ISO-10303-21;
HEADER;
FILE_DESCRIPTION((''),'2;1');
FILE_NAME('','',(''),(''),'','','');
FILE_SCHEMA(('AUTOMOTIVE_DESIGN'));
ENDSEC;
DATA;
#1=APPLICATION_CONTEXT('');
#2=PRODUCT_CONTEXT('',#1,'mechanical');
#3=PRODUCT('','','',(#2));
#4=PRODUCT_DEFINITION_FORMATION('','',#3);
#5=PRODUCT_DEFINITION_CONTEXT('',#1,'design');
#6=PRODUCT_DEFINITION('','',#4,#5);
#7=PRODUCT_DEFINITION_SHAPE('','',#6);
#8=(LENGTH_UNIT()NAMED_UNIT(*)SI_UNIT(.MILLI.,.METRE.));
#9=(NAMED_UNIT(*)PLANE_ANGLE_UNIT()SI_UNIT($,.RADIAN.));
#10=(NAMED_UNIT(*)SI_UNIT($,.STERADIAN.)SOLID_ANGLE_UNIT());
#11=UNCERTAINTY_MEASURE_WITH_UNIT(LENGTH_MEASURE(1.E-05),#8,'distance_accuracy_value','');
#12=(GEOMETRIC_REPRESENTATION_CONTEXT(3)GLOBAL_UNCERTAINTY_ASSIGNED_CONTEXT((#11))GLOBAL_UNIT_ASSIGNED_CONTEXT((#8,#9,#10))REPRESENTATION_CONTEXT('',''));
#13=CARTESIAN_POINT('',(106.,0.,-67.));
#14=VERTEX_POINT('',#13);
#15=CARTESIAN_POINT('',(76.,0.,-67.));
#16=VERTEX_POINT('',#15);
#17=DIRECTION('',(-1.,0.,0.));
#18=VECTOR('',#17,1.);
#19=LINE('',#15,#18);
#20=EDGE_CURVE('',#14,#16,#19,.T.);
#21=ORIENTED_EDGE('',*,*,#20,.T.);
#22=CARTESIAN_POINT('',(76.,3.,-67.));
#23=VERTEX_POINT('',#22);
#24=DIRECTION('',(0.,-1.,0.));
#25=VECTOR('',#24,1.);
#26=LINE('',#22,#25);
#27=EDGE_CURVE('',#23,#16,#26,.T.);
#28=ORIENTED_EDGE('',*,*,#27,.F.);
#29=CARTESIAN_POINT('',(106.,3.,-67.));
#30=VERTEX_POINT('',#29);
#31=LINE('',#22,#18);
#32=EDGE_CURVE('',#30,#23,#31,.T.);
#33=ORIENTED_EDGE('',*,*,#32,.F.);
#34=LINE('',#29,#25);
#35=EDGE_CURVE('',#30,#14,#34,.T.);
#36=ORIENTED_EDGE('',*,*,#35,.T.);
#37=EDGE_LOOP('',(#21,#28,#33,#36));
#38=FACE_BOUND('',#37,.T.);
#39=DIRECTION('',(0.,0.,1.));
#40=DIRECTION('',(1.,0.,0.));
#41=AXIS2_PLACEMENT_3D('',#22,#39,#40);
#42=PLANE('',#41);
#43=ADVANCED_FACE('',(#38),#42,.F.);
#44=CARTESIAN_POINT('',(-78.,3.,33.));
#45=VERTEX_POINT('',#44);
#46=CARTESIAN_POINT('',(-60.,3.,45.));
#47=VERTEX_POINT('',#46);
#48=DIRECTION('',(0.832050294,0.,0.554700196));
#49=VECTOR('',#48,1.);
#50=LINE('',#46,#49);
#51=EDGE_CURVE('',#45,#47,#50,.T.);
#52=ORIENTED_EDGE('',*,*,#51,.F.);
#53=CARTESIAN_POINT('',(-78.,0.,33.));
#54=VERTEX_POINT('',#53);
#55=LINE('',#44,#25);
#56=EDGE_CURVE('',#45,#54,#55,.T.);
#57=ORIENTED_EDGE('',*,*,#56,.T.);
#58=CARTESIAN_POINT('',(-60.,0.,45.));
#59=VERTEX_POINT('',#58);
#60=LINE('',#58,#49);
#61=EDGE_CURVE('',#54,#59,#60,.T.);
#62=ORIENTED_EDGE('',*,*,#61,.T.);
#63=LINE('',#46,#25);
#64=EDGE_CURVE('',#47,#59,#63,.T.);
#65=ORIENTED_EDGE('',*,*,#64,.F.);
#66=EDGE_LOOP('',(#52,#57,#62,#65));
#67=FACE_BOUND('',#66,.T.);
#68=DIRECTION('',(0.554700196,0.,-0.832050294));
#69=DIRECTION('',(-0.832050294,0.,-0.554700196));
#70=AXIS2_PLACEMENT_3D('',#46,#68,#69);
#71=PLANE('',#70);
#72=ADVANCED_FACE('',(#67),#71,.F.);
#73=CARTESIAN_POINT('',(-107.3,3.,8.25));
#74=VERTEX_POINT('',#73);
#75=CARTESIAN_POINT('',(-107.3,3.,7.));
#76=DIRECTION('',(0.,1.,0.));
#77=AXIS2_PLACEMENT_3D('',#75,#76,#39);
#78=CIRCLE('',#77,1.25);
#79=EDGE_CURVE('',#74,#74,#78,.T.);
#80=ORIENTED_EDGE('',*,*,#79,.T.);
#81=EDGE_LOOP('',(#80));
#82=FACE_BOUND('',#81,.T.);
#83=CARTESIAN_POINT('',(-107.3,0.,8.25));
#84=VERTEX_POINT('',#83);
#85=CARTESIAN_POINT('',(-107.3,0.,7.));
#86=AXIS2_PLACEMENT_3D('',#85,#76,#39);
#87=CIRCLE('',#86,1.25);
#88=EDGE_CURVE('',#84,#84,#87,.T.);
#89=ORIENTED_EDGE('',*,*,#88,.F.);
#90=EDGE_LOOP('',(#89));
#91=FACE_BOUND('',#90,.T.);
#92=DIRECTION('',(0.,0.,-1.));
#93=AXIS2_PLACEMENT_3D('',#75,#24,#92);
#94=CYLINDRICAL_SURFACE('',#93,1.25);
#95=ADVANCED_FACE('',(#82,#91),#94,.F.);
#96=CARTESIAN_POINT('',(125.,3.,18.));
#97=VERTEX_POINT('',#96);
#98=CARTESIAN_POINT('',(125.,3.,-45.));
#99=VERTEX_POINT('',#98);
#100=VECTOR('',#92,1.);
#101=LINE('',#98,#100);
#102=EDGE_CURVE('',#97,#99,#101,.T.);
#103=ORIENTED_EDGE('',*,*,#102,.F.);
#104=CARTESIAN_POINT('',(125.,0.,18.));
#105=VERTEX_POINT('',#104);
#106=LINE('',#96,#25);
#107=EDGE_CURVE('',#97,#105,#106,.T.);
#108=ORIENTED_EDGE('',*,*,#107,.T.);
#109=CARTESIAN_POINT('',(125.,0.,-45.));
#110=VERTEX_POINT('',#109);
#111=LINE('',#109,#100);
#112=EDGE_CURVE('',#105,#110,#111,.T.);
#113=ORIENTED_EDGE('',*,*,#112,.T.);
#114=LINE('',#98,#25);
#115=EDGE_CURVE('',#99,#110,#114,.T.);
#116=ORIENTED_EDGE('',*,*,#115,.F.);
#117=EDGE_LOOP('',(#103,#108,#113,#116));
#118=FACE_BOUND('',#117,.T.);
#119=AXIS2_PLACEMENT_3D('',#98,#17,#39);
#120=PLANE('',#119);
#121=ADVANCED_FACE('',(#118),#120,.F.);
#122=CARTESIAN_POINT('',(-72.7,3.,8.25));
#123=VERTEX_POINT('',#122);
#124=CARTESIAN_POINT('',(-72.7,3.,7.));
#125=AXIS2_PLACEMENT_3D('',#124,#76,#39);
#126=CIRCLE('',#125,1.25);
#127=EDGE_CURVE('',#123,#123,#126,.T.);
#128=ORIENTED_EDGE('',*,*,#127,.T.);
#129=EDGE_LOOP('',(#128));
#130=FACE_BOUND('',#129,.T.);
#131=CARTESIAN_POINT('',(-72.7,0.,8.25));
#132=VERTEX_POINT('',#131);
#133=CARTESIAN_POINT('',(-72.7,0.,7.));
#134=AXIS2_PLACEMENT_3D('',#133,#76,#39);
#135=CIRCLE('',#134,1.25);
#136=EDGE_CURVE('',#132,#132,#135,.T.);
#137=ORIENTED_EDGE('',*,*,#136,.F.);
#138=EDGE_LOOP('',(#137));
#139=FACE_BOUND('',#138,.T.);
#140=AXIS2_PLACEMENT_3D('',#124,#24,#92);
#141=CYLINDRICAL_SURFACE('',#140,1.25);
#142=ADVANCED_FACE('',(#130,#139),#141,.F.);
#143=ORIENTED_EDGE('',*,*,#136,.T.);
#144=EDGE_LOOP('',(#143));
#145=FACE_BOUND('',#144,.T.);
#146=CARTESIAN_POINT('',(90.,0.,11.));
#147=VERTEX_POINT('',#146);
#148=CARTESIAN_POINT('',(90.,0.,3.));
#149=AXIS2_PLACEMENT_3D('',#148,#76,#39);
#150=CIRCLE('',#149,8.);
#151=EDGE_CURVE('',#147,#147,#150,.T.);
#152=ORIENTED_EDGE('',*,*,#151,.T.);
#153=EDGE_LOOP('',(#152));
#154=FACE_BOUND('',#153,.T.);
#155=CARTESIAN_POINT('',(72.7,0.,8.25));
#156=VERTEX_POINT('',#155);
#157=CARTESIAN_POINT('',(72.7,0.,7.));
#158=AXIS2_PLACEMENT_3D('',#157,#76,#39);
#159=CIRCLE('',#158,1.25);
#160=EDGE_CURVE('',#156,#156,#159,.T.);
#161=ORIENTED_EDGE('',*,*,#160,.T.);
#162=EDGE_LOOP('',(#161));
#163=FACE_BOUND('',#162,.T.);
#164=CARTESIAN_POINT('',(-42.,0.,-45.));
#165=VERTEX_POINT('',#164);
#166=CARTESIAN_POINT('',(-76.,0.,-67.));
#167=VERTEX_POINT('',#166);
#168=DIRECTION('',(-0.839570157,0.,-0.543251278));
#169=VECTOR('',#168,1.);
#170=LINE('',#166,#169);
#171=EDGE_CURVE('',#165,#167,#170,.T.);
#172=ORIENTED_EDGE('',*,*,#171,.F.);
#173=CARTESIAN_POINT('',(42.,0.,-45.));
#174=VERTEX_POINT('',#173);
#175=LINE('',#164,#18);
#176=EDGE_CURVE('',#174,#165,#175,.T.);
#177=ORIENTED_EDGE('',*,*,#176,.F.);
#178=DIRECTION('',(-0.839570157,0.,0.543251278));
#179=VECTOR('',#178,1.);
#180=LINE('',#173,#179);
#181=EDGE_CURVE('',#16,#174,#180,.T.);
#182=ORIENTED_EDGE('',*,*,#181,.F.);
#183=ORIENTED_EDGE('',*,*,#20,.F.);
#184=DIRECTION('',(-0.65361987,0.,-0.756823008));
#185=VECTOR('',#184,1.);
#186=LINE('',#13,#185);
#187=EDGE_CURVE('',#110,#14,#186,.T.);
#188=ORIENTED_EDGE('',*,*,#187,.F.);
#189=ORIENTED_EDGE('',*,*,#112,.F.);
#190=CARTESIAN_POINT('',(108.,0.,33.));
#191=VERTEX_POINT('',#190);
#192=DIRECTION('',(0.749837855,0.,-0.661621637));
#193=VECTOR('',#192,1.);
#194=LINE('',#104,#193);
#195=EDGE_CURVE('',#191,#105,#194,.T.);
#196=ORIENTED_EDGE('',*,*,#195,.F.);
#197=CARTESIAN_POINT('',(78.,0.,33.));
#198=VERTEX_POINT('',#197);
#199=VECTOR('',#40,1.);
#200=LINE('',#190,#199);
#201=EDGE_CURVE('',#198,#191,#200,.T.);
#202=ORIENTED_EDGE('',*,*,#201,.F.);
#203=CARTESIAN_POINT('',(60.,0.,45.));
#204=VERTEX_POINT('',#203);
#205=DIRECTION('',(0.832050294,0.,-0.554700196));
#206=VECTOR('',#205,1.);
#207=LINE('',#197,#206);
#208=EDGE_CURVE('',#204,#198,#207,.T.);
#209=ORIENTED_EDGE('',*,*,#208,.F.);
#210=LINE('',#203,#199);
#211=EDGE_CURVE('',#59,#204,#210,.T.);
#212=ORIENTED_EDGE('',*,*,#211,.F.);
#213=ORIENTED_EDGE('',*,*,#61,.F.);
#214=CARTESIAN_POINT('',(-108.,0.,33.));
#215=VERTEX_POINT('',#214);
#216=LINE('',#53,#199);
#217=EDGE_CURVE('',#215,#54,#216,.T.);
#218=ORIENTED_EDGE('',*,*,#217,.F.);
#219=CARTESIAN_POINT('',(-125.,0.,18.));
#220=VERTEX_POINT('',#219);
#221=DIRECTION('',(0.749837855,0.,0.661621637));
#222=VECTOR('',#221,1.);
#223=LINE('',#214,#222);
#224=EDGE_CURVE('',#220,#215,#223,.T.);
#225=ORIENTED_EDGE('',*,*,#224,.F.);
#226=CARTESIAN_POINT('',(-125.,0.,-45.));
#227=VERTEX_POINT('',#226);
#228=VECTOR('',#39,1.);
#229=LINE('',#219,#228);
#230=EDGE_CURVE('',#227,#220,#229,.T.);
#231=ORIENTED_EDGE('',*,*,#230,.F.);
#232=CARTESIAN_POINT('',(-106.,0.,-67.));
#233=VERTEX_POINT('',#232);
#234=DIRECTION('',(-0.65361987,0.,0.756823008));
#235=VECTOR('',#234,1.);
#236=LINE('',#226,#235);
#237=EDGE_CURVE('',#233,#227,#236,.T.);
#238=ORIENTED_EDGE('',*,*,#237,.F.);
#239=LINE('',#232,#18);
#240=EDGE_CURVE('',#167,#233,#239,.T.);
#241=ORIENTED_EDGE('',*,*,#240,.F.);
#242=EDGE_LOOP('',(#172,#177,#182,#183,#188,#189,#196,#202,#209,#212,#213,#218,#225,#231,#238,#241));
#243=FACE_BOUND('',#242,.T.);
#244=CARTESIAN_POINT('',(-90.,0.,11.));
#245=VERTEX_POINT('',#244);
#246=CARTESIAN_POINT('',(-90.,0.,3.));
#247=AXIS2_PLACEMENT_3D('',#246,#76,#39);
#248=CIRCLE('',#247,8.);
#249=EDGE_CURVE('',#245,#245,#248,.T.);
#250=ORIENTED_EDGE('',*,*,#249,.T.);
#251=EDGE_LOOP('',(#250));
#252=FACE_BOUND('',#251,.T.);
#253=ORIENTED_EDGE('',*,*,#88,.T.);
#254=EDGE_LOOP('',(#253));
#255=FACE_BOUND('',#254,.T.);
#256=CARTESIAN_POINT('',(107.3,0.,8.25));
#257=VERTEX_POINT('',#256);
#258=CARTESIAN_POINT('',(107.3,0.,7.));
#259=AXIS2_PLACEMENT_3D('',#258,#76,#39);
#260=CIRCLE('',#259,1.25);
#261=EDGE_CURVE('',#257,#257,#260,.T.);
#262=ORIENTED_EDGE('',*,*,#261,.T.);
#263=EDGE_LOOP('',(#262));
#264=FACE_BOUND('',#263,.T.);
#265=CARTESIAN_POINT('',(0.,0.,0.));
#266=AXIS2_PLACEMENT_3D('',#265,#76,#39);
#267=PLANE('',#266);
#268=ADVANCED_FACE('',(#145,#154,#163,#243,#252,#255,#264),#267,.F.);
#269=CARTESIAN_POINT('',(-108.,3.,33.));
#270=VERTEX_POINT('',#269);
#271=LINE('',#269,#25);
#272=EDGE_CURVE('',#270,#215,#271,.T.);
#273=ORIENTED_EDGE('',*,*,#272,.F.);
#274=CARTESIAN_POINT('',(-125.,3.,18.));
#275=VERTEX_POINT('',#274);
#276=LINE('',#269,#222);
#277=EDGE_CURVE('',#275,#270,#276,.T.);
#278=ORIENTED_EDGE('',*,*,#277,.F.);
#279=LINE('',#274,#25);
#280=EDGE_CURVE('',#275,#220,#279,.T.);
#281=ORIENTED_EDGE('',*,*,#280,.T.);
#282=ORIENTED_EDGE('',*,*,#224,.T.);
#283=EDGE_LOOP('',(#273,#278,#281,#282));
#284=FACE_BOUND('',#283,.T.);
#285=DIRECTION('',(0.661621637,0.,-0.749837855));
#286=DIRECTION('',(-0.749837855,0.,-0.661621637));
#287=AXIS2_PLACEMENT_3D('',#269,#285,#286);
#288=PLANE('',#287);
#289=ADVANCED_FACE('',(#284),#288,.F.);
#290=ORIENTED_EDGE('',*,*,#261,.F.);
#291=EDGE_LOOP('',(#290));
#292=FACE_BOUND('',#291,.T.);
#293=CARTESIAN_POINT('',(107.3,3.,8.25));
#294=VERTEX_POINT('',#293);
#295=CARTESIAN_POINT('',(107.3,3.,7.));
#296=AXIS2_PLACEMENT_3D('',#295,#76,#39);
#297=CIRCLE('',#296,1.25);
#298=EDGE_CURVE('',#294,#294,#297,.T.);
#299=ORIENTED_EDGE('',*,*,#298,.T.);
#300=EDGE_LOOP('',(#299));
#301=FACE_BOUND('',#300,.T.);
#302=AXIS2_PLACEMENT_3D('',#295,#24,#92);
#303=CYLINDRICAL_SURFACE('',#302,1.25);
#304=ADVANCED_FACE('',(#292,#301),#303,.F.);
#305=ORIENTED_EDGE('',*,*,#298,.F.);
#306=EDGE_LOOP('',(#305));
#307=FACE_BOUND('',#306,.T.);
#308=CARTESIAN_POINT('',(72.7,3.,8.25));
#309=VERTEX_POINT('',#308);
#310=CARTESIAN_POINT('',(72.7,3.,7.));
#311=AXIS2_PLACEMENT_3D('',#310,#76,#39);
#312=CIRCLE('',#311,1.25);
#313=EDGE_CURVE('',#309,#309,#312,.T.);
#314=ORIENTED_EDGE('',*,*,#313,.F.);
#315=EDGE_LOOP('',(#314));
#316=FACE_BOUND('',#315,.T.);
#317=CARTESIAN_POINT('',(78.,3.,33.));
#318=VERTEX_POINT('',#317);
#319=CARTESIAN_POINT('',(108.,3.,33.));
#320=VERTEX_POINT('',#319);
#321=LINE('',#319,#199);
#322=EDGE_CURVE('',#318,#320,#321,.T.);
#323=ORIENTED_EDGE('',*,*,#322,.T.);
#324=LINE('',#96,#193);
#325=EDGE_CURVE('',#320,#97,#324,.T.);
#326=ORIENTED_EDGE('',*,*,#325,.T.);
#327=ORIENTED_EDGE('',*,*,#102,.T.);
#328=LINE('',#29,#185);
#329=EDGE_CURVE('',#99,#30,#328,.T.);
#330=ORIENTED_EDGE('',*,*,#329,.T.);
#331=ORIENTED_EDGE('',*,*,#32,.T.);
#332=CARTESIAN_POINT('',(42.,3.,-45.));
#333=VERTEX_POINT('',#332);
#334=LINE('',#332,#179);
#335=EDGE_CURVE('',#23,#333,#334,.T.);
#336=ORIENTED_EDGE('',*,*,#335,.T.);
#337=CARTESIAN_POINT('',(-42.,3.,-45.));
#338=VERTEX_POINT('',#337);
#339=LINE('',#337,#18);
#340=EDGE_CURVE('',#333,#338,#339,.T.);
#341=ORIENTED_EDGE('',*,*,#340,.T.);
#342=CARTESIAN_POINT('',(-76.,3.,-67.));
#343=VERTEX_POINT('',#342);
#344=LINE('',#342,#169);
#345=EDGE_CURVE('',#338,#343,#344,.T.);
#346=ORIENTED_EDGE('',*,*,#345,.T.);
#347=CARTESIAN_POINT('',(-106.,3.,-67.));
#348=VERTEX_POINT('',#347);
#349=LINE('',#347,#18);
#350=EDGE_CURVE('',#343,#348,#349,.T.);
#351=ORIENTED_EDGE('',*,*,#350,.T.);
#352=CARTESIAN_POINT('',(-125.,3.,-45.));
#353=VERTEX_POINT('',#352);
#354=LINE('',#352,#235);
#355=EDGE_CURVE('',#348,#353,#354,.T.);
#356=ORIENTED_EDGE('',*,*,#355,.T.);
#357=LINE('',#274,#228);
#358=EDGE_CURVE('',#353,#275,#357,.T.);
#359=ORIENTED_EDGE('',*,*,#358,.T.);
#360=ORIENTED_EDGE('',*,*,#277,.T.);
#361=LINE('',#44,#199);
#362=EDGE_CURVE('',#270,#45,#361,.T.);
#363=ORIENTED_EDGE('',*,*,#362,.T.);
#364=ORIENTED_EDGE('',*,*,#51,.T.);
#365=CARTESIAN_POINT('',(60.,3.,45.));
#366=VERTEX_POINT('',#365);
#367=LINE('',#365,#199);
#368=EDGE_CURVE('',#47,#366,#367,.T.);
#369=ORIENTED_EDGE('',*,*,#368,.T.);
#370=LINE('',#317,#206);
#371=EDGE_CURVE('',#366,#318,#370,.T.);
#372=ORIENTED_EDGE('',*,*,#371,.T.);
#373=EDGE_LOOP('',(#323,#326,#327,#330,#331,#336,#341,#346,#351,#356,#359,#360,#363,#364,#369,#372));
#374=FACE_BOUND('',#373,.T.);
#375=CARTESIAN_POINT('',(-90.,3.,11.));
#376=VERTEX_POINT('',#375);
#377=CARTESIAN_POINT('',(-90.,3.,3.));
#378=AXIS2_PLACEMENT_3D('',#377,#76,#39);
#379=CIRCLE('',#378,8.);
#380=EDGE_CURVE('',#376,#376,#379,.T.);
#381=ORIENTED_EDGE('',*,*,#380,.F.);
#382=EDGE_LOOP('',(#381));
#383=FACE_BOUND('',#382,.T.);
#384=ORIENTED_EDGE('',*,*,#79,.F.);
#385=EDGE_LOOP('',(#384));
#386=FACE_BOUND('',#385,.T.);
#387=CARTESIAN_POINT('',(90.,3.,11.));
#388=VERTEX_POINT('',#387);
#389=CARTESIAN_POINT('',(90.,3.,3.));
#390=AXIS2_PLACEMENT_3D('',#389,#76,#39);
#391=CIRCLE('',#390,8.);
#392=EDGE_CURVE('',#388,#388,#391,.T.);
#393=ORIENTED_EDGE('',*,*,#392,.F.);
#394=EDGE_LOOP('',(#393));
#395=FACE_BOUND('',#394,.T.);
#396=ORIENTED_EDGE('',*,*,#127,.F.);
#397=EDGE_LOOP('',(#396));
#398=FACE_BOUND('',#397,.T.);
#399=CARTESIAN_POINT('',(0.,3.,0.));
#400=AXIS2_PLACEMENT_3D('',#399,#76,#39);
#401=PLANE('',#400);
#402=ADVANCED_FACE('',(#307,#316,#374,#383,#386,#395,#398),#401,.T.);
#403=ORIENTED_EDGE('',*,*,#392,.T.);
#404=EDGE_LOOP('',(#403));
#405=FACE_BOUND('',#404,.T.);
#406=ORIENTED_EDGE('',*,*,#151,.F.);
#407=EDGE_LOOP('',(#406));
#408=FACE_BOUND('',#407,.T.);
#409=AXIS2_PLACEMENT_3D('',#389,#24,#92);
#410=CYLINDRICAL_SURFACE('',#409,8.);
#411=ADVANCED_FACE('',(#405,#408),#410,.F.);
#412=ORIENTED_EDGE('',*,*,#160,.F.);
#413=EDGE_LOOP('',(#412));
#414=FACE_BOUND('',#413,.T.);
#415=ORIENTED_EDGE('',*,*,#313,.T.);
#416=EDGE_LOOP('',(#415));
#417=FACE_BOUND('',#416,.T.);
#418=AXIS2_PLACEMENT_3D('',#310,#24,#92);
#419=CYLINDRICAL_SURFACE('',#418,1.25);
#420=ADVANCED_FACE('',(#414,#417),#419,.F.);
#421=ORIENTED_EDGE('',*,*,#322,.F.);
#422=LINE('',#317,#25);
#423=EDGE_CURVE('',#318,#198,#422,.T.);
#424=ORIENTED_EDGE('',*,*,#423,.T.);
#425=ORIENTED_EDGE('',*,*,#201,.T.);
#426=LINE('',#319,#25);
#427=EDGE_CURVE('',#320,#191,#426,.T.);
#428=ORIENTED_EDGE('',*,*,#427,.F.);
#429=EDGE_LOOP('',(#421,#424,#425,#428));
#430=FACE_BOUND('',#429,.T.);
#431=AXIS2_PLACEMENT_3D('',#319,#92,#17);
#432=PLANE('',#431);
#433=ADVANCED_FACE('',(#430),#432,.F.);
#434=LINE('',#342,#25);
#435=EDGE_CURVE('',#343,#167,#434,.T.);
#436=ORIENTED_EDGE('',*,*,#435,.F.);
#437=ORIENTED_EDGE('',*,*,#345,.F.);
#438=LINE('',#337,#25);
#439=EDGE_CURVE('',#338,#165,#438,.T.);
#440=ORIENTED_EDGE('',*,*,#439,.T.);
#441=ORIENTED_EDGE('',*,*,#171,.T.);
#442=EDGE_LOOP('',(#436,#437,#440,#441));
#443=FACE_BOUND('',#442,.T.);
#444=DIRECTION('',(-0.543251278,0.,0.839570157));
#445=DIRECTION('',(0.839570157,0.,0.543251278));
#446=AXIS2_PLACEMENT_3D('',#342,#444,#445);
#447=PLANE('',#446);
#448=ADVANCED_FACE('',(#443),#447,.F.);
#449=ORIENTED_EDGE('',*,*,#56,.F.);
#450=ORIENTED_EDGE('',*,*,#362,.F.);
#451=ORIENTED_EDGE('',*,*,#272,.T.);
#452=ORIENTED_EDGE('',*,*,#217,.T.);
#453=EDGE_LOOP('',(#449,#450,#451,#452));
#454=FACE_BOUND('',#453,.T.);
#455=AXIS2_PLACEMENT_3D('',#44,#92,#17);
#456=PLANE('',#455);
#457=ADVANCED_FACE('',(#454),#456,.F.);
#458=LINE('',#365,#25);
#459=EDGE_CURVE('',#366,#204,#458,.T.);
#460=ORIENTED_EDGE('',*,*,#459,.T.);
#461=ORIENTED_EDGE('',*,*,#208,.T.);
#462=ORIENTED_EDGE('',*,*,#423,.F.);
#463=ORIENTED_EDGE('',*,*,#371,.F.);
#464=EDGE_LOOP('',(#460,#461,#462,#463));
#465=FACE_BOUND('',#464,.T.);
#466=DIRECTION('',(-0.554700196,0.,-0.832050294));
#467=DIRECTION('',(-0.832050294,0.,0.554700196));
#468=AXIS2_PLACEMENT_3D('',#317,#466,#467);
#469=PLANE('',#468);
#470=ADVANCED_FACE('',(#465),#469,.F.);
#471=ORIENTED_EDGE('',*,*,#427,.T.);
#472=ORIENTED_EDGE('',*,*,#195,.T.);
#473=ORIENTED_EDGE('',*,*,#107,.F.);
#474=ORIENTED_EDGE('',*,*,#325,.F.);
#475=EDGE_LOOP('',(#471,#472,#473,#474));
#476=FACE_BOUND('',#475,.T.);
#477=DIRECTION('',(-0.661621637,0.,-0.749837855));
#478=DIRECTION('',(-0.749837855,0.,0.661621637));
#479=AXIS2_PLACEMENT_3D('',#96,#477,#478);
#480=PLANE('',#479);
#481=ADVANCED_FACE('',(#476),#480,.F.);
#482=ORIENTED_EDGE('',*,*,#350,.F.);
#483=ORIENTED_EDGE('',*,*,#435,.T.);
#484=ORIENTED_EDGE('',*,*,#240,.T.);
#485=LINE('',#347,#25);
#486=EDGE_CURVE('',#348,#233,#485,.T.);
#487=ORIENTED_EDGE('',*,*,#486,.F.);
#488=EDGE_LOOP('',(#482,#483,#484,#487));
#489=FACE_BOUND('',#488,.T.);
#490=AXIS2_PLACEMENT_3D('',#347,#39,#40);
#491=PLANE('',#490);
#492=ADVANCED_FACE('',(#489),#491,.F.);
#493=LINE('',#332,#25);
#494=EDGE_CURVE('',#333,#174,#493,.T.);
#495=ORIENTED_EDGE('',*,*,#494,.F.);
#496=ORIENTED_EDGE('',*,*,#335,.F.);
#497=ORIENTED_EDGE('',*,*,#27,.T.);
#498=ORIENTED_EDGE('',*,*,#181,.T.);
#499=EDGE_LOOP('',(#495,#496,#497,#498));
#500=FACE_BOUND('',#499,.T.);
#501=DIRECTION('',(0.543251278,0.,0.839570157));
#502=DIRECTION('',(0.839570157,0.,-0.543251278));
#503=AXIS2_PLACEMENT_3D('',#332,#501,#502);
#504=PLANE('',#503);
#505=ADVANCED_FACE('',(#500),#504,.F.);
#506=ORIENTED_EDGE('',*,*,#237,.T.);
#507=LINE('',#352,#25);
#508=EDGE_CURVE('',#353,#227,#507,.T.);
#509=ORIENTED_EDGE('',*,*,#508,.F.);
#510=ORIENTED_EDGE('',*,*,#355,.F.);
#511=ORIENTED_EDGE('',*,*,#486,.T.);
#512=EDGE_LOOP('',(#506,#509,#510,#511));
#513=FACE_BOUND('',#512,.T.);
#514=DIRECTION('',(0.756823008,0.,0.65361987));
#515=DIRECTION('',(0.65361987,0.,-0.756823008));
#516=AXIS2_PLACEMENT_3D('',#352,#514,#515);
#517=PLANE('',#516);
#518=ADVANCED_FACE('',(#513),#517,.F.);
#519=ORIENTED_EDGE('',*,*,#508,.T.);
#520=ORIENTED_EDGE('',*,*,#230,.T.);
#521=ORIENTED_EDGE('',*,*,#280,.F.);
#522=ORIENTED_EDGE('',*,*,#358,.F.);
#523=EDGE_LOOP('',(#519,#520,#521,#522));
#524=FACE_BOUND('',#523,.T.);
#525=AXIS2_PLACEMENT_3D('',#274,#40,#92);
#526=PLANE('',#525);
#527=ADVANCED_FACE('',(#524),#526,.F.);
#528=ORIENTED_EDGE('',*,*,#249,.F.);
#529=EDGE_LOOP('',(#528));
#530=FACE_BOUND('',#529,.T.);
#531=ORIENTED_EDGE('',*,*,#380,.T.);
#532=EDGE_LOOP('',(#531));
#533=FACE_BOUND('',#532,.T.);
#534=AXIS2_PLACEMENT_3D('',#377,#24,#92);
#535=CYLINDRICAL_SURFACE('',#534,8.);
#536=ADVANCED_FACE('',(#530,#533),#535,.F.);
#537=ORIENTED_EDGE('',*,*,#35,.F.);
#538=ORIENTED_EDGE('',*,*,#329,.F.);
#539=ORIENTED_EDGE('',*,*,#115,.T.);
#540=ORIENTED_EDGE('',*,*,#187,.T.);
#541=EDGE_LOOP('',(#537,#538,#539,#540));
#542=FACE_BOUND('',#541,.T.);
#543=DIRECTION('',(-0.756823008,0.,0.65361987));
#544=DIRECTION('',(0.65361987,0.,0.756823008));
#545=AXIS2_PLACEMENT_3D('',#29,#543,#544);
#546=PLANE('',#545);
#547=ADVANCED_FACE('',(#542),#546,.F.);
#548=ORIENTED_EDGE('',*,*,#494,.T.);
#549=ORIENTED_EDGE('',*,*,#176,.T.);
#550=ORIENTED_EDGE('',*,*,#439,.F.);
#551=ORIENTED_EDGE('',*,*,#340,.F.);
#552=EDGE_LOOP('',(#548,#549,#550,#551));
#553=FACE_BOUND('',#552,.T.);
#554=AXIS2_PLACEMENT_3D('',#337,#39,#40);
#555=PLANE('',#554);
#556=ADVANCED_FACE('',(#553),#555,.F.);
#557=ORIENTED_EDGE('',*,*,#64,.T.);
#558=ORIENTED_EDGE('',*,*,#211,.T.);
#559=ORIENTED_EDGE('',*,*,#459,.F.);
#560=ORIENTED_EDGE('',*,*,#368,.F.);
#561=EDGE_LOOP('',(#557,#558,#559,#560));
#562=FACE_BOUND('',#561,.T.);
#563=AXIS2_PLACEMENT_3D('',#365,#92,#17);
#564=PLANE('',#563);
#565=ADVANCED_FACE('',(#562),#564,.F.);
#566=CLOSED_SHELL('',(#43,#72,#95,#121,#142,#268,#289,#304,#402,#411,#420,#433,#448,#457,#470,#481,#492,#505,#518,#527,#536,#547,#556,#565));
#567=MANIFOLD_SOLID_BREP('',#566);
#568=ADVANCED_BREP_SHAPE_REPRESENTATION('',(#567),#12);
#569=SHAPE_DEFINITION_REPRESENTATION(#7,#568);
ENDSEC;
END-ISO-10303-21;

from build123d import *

# Parameters (mm, degrees)
SKETCH1_R           = 8
SKETCH1_R_2         = 1.25
BOSS_EXTRUDE1_DEPTH = 3


with BuildPart() as part:
    # Sketch1 → Boss-Extrude1 (new body)
    with BuildSketch(Plane(origin=(0, 0, 0), x_dir=(1, 0, 0), z_dir=(0, 1, 0))):
        Polygon((-42, 45), (42, 45), (76, 67), (106, 67), (125, 45), (125, -18), (108, -33), (78, -33), (60, -45), (-60, -45), (-78, -33), (-108, -33), (-125, -18), (-125, 45), (-106, 67), (-76, 67), align=None)
        with Locations(Location((-90, -3, 0), (0, 0, 270))):
            Circle(SKETCH1_R, mode=Mode.SUBTRACT)
        with Locations(Location((90, -3, 0), (0, 0, 270))):
            Circle(SKETCH1_R, mode=Mode.SUBTRACT)
        with Locations(Location((-72.7, -7, 0), (0, 0, 270))):
            Circle(SKETCH1_R_2, mode=Mode.SUBTRACT)
        with Locations(Location((-107.3, -7, 0), (0, 0, 270))):
            Circle(SKETCH1_R_2, mode=Mode.SUBTRACT)
        with Locations(Location((72.7, -7, 0), (0, 0, 270))):
            Circle(SKETCH1_R_2, mode=Mode.SUBTRACT)
        with Locations(Location((107.3, -7, 0), (0, 0, 270))):
            Circle(SKETCH1_R_2, mode=Mode.SUBTRACT)
    extrude(amount=BOSS_EXTRUDE1_DEPTH)


solid = part.part
